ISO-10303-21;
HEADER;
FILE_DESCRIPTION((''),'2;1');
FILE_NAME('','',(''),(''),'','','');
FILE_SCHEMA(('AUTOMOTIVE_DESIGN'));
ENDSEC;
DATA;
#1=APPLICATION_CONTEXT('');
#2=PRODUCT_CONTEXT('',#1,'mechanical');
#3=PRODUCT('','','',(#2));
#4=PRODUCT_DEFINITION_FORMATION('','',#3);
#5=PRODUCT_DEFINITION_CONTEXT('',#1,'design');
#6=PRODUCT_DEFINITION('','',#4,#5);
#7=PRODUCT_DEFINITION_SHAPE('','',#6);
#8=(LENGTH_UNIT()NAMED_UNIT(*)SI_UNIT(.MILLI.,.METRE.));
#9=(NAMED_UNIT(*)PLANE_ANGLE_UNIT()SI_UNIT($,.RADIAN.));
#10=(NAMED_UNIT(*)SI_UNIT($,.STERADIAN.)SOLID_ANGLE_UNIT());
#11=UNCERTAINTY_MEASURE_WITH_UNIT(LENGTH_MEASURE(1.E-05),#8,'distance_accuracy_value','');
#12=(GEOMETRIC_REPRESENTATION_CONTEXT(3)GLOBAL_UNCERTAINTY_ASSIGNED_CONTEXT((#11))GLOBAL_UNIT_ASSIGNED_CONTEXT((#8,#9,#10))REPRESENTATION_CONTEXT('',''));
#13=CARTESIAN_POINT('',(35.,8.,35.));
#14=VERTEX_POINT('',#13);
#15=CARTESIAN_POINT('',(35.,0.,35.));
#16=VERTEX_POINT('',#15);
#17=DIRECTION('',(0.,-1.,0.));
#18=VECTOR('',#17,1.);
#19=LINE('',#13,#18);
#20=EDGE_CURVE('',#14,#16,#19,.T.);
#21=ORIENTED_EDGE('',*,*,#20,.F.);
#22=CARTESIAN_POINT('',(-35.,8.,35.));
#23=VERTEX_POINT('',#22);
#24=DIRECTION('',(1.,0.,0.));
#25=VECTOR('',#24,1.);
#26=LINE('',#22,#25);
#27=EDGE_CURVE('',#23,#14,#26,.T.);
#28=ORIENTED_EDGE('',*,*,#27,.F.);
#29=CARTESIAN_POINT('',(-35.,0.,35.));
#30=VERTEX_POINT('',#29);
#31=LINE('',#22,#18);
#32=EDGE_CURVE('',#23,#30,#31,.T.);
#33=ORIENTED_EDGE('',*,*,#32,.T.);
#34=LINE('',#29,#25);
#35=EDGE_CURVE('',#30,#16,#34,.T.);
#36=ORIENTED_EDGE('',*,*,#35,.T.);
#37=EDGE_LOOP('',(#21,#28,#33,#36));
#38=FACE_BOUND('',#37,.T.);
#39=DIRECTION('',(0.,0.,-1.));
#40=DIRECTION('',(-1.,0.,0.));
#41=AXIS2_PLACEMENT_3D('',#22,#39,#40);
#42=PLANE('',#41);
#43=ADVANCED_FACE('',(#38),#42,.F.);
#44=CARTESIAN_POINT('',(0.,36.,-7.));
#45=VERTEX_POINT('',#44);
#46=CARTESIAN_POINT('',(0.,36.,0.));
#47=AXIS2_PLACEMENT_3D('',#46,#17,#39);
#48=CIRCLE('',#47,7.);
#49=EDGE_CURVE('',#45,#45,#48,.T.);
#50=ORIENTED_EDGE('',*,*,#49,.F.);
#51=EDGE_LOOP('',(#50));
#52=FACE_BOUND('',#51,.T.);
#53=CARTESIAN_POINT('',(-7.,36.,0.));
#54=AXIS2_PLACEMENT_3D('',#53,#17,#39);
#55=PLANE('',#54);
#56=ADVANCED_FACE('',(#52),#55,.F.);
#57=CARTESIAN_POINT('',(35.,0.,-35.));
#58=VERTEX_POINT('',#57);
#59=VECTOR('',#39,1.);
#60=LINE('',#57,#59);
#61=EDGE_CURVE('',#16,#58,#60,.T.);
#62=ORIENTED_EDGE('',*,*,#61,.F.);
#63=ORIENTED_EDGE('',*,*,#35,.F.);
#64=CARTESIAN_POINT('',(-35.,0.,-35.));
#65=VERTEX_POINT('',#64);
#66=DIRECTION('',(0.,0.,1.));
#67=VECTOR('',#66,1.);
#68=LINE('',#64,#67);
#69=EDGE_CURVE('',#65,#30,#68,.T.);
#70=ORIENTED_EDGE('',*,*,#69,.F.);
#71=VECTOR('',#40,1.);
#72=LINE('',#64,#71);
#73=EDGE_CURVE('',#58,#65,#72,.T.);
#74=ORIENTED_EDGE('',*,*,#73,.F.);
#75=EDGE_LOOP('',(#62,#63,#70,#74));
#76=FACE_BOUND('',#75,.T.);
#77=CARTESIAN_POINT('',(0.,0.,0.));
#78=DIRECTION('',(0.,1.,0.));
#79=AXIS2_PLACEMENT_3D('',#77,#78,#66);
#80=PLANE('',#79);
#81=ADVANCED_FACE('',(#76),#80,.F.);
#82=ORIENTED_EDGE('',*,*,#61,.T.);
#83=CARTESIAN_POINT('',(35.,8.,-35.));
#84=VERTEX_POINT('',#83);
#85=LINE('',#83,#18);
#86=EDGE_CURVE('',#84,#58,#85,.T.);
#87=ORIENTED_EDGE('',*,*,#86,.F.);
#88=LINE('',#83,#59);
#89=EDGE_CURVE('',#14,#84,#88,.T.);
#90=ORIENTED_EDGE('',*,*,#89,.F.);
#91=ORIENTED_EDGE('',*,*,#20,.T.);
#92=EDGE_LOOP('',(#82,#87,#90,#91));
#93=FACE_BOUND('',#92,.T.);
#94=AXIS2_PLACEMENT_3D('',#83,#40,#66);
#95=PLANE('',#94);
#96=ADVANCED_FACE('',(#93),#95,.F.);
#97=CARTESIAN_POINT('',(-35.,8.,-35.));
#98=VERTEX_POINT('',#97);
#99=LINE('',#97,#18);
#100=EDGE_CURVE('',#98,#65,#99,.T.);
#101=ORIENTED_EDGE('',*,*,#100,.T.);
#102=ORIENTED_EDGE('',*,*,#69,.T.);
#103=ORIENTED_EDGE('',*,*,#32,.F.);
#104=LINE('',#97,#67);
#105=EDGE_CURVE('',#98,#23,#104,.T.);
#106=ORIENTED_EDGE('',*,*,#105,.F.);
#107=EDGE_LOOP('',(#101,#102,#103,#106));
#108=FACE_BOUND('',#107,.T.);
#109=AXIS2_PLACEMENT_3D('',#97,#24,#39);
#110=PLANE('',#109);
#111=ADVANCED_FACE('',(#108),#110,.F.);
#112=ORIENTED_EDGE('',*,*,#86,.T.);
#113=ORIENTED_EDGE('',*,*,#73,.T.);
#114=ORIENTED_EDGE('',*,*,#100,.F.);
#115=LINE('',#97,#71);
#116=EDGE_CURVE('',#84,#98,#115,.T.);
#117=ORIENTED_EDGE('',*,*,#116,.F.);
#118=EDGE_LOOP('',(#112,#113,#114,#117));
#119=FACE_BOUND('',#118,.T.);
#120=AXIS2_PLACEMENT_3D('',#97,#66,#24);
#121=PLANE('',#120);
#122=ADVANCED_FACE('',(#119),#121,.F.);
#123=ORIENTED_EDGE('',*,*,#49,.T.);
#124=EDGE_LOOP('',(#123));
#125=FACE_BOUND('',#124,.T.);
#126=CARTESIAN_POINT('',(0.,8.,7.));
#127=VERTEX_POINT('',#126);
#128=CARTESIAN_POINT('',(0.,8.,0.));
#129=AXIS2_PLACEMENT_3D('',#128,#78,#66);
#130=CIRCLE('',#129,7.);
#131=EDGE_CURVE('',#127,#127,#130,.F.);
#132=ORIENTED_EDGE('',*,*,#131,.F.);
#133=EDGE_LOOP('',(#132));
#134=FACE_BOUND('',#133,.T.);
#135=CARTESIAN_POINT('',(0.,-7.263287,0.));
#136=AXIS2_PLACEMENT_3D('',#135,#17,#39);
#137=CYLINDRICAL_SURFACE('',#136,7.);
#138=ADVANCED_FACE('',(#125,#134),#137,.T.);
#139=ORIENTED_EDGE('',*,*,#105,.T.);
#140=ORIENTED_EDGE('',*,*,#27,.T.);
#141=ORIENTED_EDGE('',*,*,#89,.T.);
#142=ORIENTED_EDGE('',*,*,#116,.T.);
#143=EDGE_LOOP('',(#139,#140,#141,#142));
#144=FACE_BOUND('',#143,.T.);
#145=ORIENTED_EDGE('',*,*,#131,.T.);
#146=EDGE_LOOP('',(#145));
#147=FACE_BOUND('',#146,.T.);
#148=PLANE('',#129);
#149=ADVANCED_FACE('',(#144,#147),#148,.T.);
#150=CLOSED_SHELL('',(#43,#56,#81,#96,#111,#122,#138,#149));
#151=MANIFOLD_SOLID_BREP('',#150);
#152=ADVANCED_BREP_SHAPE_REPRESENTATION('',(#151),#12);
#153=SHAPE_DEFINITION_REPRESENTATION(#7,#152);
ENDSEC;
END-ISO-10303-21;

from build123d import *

# Parameters (mm, degrees)
SKETCH1_W           = 70
SKETCH1_H           = 70
BOSS_EXTRUDE1_DEPTH = 8
SKETCH3_W           = 7
SKETCH3_H           = 36


with BuildPart() as part:
    # Sketch1 → Boss-Extrude1 (new body)
    with BuildSketch(Plane(origin=(0, 0, 0), x_dir=(1, 0, 0), z_dir=(0, 1, 0))):
        Rectangle(SKETCH1_W, SKETCH1_H)
    extrude(amount=BOSS_EXTRUDE1_DEPTH)

    # Sketch3 → Revolve1 (revolve)
    with BuildSketch(Plane.XY, mode=Mode.PRIVATE) as revolve1_sk:
        with Locations((-3.5, 18)):
            Rectangle(SKETCH3_W, SKETCH3_H)
    revolve(revolve1_sk.sketch.rotate(Axis((0, -7.263286828, 0), (0, 1, 0)), 270), axis=Axis((0, -7.263286828, 0), (0, 1, 0)))


solid = part.part
